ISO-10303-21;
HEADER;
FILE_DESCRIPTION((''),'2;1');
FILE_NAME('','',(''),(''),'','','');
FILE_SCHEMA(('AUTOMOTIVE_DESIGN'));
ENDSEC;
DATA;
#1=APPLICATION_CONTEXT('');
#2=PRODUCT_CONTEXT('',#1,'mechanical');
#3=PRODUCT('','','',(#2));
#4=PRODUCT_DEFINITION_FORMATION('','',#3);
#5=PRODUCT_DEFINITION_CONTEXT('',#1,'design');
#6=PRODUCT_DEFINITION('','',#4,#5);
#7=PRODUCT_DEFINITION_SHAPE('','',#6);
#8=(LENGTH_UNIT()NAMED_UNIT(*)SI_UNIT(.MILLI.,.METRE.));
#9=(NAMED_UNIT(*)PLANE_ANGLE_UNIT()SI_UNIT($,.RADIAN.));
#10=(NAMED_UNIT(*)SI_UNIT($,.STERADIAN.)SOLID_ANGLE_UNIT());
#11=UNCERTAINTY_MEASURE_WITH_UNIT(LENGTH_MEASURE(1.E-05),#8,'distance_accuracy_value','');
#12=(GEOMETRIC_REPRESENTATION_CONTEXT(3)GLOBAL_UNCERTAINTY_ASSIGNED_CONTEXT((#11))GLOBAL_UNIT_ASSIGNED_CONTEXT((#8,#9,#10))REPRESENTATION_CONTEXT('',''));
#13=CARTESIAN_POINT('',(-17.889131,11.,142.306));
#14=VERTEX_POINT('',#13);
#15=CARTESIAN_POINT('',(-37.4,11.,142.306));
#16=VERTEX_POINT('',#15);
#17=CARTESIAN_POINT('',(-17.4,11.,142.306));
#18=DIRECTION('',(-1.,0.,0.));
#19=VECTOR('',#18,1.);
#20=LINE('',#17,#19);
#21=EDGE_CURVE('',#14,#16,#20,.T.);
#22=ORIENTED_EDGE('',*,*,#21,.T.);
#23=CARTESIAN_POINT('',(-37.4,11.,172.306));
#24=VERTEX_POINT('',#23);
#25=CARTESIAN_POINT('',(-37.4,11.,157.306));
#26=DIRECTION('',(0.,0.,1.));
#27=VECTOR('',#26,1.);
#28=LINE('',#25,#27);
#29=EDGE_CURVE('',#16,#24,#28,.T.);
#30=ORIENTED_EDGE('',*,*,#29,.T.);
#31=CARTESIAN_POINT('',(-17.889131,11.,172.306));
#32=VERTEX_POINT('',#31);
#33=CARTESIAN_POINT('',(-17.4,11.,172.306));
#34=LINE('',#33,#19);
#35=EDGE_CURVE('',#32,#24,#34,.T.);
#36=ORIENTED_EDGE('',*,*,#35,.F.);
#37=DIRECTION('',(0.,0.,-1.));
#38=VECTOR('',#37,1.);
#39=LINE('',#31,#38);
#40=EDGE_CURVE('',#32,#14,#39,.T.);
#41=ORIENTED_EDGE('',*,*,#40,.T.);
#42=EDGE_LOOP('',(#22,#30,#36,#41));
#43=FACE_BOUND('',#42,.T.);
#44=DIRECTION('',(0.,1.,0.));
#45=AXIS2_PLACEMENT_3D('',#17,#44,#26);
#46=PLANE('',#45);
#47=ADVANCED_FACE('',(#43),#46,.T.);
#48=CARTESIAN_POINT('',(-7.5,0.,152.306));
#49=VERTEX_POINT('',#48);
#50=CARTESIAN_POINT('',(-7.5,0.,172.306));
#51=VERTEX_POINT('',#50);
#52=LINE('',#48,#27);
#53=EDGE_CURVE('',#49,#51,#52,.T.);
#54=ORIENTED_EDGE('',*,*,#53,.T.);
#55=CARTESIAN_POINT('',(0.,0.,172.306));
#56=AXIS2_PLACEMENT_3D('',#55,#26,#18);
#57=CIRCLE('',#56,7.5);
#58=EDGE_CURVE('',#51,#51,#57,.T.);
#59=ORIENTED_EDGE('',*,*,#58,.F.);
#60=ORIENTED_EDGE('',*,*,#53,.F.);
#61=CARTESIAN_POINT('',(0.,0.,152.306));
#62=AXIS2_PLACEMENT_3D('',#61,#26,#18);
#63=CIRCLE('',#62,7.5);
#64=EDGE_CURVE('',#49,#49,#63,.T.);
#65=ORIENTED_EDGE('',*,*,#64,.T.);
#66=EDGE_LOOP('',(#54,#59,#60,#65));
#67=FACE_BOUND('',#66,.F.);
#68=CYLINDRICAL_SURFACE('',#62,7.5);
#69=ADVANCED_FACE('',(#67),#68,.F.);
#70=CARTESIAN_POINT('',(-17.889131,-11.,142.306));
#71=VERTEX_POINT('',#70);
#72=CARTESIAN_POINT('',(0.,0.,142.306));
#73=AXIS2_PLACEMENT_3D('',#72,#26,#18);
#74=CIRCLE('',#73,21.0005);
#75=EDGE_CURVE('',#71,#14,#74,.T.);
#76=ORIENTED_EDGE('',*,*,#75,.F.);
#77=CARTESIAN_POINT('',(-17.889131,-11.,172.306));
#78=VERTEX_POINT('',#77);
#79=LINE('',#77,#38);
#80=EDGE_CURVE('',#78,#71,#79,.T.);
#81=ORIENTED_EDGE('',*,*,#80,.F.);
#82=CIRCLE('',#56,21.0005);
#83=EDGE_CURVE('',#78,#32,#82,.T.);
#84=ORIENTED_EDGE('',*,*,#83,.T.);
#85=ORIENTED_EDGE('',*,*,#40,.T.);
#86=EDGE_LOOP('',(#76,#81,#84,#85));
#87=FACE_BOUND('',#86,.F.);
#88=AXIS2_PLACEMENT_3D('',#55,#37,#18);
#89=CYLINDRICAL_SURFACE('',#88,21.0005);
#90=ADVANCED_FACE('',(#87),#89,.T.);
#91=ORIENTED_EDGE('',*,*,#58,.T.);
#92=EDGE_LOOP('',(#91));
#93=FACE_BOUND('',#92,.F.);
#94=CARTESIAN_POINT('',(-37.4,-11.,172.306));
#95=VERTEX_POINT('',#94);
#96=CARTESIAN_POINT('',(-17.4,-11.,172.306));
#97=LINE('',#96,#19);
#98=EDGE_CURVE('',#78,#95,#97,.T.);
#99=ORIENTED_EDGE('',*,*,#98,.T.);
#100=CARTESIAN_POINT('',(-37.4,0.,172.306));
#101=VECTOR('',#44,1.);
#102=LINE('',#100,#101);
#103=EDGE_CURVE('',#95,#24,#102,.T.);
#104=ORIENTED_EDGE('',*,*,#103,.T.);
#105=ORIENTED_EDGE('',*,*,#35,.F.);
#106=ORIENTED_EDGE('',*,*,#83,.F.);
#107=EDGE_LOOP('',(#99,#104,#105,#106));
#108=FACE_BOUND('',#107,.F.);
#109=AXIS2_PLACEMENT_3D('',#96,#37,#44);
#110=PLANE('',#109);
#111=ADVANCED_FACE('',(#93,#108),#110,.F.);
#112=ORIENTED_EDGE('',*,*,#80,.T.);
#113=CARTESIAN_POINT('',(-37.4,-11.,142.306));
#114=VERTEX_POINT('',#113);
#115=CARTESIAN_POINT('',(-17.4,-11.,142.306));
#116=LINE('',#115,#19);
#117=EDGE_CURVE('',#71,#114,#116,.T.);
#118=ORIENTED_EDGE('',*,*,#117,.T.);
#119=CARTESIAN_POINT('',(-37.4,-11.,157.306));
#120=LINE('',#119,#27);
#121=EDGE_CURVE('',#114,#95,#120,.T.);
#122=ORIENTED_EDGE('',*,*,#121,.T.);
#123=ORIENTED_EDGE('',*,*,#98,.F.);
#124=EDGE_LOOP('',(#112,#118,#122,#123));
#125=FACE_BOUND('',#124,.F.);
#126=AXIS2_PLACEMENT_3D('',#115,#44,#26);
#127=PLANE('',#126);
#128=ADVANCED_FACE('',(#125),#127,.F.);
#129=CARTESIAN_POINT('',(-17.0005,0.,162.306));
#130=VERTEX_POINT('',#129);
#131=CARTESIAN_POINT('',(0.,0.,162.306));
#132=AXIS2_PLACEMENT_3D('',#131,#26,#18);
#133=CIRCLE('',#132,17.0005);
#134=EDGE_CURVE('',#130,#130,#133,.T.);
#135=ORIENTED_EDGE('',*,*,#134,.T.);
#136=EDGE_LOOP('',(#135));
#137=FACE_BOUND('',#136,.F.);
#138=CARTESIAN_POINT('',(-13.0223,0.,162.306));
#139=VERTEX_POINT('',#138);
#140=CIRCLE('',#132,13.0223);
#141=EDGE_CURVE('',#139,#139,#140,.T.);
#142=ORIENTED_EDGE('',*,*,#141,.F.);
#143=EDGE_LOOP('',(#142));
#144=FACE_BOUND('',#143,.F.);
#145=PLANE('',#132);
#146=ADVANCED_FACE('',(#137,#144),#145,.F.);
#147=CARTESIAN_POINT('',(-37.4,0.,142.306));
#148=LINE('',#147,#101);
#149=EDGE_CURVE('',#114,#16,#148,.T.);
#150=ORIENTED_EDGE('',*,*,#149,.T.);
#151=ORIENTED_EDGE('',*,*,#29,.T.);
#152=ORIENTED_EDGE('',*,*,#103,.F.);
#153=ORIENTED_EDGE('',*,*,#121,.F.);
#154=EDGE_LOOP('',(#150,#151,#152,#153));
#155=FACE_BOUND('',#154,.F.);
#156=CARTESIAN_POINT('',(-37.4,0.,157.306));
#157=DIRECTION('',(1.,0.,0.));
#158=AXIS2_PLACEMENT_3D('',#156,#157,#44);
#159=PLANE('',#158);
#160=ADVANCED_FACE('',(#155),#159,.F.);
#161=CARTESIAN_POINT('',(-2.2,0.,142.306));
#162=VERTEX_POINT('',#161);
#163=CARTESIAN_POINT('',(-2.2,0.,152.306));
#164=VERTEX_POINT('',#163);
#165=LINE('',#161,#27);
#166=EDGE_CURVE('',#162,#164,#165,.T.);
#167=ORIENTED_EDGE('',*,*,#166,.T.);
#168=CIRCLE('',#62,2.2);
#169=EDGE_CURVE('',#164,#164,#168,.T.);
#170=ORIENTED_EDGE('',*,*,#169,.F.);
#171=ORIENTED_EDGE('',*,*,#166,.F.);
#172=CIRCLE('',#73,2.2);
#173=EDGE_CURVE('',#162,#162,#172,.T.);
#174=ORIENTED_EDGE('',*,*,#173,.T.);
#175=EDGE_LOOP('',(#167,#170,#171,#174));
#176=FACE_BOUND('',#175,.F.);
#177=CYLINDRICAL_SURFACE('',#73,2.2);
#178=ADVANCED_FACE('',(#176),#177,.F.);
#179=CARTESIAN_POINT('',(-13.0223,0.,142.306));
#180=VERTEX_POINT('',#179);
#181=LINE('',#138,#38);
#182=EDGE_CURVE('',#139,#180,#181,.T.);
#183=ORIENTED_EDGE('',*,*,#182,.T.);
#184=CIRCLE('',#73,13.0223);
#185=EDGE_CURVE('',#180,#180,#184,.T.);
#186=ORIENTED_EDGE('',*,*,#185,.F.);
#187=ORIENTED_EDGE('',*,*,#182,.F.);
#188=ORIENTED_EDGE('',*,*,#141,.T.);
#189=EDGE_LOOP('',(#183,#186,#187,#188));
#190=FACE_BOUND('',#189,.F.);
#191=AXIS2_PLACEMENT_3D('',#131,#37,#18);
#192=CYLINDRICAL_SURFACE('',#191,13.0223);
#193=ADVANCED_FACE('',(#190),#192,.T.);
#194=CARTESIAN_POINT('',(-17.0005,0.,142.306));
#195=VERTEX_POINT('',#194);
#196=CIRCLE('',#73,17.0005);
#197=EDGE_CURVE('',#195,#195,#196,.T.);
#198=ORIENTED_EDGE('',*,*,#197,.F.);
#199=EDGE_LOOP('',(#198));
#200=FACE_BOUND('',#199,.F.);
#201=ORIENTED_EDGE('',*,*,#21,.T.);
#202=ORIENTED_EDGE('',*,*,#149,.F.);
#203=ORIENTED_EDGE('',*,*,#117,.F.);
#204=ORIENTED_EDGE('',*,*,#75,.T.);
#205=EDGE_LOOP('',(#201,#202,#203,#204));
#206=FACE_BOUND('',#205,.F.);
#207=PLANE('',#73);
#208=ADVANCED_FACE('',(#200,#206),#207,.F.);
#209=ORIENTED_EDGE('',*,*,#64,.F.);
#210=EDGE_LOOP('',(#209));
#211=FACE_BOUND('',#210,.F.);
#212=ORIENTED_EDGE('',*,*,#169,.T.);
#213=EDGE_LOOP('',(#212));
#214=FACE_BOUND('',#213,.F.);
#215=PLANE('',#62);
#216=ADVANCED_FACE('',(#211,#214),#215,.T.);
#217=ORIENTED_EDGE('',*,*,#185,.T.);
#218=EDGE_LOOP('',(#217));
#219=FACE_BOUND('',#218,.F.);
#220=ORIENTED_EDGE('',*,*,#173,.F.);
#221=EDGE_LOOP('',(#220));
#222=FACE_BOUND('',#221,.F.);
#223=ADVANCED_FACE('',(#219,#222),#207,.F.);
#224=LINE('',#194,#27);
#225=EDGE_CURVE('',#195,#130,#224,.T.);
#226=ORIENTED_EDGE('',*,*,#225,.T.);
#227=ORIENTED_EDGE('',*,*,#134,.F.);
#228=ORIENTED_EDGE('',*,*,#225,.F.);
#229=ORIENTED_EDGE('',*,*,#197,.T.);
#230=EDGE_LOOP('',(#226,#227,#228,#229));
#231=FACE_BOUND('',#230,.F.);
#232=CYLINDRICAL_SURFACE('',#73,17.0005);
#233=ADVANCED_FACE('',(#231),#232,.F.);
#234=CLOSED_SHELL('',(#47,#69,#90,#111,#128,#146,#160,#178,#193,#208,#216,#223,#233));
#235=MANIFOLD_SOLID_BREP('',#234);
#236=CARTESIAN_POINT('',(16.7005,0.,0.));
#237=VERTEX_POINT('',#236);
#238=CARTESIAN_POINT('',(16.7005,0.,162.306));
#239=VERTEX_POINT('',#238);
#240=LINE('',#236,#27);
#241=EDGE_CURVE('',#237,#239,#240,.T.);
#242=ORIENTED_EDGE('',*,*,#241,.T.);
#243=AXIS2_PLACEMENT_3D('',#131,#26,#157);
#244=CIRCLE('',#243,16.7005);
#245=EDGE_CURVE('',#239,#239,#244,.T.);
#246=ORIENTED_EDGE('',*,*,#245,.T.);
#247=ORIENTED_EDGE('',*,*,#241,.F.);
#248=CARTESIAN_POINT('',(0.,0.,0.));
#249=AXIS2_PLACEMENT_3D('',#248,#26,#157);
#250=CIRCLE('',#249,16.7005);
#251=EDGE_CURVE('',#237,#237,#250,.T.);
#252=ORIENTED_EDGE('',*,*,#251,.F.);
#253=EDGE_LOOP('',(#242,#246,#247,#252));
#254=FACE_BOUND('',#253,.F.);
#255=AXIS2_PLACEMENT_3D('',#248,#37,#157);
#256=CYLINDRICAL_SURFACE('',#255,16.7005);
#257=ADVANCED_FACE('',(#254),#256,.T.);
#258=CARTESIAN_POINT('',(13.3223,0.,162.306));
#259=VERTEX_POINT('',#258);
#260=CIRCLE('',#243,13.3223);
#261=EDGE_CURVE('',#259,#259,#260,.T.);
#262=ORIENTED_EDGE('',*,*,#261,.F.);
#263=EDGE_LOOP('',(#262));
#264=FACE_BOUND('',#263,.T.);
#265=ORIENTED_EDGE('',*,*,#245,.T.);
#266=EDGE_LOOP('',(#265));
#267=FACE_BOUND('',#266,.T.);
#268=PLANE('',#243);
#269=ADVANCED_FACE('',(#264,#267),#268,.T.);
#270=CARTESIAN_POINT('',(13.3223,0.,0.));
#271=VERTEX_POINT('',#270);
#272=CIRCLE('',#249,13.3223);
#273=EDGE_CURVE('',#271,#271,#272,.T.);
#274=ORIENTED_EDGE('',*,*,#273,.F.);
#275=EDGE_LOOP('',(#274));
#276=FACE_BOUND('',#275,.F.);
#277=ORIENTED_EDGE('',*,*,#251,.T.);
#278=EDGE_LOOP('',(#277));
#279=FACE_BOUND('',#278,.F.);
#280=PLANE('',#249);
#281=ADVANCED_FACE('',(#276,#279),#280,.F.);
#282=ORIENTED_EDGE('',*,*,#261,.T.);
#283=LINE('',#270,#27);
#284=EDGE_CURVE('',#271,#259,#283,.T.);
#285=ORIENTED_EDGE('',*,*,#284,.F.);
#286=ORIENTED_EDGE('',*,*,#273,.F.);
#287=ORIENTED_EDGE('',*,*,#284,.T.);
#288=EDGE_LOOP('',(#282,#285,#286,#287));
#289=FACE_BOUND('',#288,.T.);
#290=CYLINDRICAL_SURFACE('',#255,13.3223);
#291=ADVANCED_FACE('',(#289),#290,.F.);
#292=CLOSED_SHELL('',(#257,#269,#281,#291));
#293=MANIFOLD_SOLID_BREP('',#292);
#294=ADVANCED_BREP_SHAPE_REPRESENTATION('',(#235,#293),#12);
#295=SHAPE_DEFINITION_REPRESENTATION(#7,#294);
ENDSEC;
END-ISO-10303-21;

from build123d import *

# Parameters (mm, degrees)
F0_R     = 16.7005
F0_R_2   = 13.3223
F1_DEPTH = 162.306
F5_W     = 22
F5_H     = 30
F6_DEPTH = 20


with BuildPart() as f1:
    # F0 (on Top) → F1 (new body)
    with BuildSketch(Plane.XY):
        Circle(F0_R)
        Circle(F0_R_2, mode=Mode.SUBTRACT)
    extrude(amount=F1_DEPTH)


with BuildPart() as f3:
    # F2 (on Front) → F3 (revolve)
    with BuildSketch(Plane.XZ):
        Polygon((-21.0005, 142.306), (-17.0005, 142.306), (-17.0005, 162.306), (-13.0223, 162.306), (-13.0223, 142.306), (-2.2, 142.306), (-2.2, 152.306), (-7.5, 152.306), (-7.5, 172.306), (-21.0005, 172.306), align=None)
    revolve(axis=Axis((0, 0, 103.938333), (0, 0, 1)))

    # F5 (on offset) → F6 (join)
    with BuildSketch(Plane.YZ.offset(-17.4)):
        with Locations((0, 157.306)):
            Rectangle(F5_W, F5_H)
    extrude(amount=-F6_DEPTH)


solid = Compound([f1.part, f3.part])
